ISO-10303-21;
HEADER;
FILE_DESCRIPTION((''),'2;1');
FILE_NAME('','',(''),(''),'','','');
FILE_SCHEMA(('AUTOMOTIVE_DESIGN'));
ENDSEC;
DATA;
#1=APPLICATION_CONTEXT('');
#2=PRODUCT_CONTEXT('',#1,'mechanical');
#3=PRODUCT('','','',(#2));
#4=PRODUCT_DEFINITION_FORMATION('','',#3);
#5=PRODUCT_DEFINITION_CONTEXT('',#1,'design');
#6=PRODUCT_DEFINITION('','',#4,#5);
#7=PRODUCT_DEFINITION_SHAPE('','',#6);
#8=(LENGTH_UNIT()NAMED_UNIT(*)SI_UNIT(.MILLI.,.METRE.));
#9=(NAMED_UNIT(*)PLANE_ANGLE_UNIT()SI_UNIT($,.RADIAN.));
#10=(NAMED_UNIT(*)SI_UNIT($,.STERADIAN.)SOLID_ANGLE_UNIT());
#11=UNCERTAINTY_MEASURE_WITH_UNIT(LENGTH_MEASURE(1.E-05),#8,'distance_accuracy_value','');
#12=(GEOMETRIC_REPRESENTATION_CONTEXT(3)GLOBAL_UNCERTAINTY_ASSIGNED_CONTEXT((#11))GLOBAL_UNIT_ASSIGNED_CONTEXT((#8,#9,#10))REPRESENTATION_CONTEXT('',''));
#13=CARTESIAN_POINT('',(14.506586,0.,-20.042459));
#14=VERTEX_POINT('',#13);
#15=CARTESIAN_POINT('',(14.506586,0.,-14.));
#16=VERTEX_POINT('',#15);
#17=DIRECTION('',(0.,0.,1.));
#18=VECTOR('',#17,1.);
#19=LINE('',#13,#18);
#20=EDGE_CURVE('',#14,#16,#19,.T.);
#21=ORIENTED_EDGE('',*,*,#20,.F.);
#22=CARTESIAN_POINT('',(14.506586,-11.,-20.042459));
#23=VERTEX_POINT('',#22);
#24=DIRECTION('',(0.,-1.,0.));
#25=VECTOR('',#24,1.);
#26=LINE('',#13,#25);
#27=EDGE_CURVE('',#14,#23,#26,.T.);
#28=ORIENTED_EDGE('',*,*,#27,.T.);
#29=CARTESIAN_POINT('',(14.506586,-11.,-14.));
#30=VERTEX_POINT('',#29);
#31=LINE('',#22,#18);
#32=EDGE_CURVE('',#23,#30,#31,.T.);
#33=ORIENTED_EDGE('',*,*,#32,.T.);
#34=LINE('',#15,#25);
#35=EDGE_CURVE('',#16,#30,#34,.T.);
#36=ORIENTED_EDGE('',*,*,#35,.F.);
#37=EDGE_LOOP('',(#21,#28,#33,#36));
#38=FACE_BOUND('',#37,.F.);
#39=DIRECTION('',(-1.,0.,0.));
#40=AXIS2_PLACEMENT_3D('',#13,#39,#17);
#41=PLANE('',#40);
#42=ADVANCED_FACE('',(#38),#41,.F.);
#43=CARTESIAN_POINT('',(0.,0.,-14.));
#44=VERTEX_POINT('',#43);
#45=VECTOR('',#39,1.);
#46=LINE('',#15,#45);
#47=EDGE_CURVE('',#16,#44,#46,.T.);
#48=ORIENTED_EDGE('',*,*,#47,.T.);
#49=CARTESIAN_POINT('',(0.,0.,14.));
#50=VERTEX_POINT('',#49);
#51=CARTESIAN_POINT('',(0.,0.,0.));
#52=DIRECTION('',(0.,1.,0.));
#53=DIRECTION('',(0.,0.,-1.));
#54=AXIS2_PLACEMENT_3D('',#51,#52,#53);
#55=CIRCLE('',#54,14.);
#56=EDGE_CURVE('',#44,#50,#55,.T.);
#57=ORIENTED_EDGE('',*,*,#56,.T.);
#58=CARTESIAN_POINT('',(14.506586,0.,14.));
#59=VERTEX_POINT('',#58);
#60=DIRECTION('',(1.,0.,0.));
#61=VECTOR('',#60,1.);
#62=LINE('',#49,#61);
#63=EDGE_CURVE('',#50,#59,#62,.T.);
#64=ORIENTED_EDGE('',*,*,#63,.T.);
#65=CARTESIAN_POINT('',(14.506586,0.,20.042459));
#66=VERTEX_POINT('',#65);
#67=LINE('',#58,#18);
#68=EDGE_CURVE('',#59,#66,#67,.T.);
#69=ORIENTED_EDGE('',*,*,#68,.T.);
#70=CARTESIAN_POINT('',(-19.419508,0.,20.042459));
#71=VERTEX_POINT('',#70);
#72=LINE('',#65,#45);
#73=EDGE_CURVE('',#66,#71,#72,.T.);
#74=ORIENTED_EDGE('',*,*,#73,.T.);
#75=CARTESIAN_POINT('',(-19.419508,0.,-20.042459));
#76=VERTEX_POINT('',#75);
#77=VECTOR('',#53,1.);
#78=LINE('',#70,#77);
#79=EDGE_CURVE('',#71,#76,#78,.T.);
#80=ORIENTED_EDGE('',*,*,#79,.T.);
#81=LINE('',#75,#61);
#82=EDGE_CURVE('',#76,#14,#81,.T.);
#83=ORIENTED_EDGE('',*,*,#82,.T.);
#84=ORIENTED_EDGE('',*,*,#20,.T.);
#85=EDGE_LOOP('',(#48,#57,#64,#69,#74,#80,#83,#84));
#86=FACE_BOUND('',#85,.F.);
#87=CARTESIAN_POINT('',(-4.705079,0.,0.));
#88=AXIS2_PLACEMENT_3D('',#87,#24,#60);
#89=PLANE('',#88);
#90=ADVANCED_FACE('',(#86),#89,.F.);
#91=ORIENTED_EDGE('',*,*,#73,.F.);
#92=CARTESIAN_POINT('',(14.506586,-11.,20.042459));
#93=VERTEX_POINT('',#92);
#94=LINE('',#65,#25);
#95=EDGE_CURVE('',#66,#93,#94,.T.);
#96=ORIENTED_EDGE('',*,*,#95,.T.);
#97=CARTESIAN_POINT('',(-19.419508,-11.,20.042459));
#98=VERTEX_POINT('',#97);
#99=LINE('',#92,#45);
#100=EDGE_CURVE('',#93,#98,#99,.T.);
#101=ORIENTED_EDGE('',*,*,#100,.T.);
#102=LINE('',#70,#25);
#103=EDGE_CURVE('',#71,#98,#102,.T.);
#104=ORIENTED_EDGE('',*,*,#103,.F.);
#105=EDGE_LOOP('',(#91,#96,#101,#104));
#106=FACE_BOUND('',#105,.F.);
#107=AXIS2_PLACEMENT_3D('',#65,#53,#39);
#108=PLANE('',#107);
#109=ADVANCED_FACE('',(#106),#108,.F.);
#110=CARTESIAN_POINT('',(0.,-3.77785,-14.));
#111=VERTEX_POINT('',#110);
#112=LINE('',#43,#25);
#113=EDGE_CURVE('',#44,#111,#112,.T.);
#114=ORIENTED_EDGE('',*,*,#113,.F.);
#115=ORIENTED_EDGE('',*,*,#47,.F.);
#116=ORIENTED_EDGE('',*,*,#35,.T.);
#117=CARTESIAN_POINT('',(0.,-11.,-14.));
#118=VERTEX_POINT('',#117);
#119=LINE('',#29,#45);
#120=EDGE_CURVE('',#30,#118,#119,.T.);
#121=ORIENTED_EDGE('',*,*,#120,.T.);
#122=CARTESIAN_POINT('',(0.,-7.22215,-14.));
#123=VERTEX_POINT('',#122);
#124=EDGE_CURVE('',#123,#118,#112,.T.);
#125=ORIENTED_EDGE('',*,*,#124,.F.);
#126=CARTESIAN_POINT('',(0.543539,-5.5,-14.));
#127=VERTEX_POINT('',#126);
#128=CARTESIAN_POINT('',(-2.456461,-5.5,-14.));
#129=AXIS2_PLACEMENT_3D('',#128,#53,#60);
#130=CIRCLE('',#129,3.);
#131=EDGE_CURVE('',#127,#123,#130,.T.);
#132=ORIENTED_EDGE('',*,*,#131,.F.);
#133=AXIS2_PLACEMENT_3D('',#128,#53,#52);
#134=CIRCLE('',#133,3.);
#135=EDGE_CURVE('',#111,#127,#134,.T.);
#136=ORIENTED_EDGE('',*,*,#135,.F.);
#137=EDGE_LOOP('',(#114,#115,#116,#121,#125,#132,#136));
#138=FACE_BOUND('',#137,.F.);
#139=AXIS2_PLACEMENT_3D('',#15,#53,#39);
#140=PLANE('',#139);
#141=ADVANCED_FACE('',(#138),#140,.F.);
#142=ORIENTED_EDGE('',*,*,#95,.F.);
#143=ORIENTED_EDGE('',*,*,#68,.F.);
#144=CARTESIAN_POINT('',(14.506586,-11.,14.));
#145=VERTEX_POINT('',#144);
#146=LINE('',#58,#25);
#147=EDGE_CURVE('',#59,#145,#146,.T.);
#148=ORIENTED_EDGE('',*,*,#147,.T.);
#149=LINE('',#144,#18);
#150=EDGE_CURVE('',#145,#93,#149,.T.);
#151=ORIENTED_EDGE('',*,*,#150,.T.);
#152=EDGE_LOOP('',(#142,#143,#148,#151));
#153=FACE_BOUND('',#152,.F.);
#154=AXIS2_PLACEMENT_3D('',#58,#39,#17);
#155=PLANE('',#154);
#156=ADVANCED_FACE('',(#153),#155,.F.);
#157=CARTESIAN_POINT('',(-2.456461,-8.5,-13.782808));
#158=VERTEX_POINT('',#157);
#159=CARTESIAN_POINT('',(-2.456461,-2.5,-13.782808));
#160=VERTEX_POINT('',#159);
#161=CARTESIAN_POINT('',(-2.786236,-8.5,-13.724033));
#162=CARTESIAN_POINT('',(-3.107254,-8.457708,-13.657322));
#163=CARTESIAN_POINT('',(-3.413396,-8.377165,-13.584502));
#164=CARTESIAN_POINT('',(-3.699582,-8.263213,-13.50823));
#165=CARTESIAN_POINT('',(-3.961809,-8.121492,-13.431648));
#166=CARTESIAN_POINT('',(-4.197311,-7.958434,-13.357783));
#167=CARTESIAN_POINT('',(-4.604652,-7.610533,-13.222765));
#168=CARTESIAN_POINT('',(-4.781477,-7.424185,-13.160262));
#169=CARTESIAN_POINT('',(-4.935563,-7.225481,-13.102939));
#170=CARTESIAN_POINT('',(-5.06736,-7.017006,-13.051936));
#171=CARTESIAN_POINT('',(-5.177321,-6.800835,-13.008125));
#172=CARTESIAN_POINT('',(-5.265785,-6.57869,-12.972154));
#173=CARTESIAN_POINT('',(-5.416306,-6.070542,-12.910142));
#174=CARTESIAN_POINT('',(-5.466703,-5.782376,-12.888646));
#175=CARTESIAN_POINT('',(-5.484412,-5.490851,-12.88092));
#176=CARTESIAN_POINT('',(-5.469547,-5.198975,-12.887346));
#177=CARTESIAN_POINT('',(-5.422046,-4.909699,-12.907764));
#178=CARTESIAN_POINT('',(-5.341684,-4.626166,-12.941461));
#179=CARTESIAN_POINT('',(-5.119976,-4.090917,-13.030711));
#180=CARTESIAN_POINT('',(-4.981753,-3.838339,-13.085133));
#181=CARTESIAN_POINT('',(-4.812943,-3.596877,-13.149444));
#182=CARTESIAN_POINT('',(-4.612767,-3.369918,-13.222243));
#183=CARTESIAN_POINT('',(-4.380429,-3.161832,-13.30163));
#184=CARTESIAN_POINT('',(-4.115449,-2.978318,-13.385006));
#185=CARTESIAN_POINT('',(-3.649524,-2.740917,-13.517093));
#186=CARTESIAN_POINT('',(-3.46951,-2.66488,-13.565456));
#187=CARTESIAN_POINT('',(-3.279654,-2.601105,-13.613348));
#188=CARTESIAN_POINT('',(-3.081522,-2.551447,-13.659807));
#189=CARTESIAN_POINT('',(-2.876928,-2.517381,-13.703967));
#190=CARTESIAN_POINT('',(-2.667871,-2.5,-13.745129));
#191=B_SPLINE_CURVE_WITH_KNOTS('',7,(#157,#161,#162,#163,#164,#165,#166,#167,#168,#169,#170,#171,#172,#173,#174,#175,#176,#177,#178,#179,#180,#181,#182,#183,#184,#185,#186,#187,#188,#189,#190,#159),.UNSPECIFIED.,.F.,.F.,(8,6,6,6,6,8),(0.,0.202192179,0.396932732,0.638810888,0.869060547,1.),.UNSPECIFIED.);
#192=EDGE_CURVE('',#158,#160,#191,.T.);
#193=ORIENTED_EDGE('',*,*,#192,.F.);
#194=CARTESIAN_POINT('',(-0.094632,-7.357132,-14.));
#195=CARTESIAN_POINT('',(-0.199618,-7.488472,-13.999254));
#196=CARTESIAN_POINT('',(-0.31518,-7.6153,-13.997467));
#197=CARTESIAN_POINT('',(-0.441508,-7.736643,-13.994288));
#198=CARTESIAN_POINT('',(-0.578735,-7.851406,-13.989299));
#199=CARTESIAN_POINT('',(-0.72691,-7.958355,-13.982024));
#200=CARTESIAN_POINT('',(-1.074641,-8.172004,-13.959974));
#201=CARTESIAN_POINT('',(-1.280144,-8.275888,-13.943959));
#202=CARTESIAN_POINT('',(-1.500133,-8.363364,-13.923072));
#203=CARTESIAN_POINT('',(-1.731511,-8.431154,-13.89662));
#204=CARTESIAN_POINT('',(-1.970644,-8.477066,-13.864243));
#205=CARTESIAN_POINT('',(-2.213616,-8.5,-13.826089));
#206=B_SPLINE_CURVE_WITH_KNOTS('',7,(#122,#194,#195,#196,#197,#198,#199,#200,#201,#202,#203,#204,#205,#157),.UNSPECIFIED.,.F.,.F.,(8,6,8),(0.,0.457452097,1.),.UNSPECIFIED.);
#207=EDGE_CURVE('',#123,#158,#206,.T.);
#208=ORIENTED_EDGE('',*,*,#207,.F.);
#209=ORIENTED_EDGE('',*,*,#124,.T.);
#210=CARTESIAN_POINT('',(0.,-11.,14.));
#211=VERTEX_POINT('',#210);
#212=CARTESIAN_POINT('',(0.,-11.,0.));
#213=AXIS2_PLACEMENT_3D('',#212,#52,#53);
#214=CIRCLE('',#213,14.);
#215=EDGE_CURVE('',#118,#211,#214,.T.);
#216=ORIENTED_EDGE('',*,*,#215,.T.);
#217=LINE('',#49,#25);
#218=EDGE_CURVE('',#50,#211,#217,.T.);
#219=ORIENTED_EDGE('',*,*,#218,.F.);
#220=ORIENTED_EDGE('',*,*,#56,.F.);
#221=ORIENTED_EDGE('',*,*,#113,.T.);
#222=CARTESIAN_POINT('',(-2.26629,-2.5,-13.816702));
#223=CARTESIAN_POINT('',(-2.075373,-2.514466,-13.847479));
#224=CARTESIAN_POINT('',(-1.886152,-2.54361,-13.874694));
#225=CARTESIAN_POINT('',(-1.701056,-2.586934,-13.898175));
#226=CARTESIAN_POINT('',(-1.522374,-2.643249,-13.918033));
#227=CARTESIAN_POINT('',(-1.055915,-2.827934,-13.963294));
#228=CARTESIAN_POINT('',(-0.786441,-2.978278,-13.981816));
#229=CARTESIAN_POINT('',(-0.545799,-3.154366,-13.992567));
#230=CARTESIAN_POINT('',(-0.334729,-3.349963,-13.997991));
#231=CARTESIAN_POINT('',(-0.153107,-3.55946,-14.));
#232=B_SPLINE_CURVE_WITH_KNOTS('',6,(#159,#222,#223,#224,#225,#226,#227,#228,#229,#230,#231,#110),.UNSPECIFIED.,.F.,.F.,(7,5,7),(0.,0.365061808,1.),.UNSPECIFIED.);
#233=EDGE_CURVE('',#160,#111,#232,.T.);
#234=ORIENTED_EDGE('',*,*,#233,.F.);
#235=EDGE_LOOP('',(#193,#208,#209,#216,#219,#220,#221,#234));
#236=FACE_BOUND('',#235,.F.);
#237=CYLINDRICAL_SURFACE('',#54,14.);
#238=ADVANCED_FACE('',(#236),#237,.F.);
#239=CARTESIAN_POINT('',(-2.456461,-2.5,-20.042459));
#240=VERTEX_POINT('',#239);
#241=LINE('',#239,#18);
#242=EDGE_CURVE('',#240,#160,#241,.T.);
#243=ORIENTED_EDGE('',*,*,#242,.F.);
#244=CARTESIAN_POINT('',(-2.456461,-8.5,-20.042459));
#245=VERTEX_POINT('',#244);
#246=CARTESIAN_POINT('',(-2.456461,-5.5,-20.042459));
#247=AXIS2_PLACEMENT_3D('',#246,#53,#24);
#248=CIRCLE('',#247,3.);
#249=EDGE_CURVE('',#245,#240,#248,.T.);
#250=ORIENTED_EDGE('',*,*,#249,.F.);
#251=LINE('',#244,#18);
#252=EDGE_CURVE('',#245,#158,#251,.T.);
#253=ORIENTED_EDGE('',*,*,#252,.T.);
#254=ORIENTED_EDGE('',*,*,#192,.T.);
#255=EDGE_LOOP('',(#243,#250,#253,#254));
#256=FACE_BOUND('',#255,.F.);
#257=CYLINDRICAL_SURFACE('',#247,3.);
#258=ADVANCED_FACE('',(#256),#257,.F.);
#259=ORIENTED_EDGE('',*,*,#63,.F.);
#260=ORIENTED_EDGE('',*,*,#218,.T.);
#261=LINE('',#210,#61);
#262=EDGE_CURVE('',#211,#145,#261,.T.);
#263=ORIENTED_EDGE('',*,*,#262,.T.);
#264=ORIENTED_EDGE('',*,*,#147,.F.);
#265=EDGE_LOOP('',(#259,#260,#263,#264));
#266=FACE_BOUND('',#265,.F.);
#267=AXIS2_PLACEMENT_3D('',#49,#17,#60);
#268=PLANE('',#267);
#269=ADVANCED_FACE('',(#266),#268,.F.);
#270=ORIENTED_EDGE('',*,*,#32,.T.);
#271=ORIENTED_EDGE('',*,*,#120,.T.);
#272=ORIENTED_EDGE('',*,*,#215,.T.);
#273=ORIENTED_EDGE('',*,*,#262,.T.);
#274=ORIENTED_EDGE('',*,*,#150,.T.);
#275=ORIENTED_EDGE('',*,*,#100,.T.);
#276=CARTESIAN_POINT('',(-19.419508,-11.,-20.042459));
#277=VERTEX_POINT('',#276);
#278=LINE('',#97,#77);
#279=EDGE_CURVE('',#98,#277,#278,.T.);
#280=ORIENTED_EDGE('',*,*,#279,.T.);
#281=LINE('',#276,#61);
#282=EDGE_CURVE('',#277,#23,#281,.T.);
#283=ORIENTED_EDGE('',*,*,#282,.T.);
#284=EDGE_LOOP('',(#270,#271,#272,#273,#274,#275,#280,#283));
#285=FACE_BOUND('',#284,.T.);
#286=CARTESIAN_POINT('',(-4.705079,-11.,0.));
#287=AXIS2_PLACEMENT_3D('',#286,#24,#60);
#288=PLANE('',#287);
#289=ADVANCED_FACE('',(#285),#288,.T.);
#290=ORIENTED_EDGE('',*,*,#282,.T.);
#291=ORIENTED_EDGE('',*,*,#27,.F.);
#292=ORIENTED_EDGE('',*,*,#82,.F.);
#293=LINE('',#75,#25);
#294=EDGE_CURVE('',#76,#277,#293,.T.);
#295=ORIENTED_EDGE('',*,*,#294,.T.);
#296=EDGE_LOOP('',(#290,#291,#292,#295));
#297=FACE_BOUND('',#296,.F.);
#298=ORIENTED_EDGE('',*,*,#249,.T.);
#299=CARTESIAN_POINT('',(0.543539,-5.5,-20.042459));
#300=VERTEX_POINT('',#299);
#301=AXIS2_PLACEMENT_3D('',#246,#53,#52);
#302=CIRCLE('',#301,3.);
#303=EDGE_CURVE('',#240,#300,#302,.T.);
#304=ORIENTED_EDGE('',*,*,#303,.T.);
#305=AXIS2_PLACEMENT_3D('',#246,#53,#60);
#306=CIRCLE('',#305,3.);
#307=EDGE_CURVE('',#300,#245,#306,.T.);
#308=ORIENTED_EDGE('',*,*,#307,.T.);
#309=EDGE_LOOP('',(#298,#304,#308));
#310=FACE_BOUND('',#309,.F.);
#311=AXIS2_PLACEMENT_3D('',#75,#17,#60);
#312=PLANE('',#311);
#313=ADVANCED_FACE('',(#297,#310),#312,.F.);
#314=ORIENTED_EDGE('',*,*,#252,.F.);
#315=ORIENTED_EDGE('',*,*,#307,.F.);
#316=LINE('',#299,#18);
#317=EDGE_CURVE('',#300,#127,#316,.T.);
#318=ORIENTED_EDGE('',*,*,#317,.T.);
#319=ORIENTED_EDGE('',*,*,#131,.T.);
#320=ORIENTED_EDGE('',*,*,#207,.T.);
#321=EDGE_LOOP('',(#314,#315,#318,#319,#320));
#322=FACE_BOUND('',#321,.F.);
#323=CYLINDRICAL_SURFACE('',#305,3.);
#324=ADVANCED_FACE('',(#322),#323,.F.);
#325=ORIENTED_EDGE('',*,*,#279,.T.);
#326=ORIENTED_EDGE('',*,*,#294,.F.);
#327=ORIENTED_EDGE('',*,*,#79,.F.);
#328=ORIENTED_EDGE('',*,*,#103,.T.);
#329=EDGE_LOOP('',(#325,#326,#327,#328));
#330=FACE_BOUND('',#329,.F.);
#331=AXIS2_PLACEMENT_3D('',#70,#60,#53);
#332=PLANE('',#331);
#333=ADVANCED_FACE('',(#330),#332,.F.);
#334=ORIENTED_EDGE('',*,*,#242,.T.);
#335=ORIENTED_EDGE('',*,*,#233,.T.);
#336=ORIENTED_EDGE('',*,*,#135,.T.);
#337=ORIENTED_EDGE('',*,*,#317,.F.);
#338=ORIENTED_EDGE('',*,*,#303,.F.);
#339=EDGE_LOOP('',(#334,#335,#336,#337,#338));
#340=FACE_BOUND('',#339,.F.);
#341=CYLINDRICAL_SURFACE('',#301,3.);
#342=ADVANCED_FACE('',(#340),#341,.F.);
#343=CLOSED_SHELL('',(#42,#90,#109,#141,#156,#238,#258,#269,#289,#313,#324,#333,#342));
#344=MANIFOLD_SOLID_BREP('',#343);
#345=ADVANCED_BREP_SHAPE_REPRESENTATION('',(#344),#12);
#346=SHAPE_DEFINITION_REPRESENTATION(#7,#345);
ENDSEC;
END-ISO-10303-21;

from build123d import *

# Parameters (mm, degrees)
F2_DEPTH = 11
F4_DEPTH = 7.1505523714


with BuildPart() as f2:
    # F1 (on Front) → F2 (new body)
    with BuildSketch(Plane.XZ):
        with BuildLine():
            Line((14.506585896, 14), (14.506585896, 20.0424585491))
            Line((14.506585896, 20.0424585491), (-19.4195080549, 20.0424585491))
            Line((-19.4195080549, 20.0424585491), (-19.4195080549, -20.0424585491))
            Line((-19.4195080549, -20.0424585491), (14.506585896, -20.0424585491))
            Line((14.506585896, -20.0424585491), (14.506585896, -14))
            Line((14.506585896, -14), (0, -14))
            ThreePointArc((0, -14), (-14, 0), (0, 14))
            Line((0, 14), (14.506585896, 14))
        make_face()
    extrude(amount=F2_DEPTH)

    # F3 (on face) → F4 (cut, through all)
    with BuildSketch(Plane(origin=(0, 0, -20.0424585491), x_dir=(1, 0, 0), z_dir=(0, 0, -1))):
        with BuildLine():
            Line((-2.4564610794, 8.5), (-2.4564610794, 2.5))
            ThreePointArc((-2.4564610794, 2.5), (-0.3351407359, 3.3786796564), (0.5435389206, 5.5))
            ThreePointArc((0.5435389206, 5.5), (-0.3351407359, 7.6213203436), (-2.4564610794, 8.5))
        make_face()
        with BuildLine():
            ThreePointArc((-2.4564610794, 8.5), (-5.4564610794, 5.5), (-2.4564610794, 2.5))
            Line((-2.4564610794, 2.5), (-2.4564610794, 8.5))
        make_face()
    extrude(amount=-F4_DEPTH, mode=Mode.SUBTRACT)


solid = f2.part
